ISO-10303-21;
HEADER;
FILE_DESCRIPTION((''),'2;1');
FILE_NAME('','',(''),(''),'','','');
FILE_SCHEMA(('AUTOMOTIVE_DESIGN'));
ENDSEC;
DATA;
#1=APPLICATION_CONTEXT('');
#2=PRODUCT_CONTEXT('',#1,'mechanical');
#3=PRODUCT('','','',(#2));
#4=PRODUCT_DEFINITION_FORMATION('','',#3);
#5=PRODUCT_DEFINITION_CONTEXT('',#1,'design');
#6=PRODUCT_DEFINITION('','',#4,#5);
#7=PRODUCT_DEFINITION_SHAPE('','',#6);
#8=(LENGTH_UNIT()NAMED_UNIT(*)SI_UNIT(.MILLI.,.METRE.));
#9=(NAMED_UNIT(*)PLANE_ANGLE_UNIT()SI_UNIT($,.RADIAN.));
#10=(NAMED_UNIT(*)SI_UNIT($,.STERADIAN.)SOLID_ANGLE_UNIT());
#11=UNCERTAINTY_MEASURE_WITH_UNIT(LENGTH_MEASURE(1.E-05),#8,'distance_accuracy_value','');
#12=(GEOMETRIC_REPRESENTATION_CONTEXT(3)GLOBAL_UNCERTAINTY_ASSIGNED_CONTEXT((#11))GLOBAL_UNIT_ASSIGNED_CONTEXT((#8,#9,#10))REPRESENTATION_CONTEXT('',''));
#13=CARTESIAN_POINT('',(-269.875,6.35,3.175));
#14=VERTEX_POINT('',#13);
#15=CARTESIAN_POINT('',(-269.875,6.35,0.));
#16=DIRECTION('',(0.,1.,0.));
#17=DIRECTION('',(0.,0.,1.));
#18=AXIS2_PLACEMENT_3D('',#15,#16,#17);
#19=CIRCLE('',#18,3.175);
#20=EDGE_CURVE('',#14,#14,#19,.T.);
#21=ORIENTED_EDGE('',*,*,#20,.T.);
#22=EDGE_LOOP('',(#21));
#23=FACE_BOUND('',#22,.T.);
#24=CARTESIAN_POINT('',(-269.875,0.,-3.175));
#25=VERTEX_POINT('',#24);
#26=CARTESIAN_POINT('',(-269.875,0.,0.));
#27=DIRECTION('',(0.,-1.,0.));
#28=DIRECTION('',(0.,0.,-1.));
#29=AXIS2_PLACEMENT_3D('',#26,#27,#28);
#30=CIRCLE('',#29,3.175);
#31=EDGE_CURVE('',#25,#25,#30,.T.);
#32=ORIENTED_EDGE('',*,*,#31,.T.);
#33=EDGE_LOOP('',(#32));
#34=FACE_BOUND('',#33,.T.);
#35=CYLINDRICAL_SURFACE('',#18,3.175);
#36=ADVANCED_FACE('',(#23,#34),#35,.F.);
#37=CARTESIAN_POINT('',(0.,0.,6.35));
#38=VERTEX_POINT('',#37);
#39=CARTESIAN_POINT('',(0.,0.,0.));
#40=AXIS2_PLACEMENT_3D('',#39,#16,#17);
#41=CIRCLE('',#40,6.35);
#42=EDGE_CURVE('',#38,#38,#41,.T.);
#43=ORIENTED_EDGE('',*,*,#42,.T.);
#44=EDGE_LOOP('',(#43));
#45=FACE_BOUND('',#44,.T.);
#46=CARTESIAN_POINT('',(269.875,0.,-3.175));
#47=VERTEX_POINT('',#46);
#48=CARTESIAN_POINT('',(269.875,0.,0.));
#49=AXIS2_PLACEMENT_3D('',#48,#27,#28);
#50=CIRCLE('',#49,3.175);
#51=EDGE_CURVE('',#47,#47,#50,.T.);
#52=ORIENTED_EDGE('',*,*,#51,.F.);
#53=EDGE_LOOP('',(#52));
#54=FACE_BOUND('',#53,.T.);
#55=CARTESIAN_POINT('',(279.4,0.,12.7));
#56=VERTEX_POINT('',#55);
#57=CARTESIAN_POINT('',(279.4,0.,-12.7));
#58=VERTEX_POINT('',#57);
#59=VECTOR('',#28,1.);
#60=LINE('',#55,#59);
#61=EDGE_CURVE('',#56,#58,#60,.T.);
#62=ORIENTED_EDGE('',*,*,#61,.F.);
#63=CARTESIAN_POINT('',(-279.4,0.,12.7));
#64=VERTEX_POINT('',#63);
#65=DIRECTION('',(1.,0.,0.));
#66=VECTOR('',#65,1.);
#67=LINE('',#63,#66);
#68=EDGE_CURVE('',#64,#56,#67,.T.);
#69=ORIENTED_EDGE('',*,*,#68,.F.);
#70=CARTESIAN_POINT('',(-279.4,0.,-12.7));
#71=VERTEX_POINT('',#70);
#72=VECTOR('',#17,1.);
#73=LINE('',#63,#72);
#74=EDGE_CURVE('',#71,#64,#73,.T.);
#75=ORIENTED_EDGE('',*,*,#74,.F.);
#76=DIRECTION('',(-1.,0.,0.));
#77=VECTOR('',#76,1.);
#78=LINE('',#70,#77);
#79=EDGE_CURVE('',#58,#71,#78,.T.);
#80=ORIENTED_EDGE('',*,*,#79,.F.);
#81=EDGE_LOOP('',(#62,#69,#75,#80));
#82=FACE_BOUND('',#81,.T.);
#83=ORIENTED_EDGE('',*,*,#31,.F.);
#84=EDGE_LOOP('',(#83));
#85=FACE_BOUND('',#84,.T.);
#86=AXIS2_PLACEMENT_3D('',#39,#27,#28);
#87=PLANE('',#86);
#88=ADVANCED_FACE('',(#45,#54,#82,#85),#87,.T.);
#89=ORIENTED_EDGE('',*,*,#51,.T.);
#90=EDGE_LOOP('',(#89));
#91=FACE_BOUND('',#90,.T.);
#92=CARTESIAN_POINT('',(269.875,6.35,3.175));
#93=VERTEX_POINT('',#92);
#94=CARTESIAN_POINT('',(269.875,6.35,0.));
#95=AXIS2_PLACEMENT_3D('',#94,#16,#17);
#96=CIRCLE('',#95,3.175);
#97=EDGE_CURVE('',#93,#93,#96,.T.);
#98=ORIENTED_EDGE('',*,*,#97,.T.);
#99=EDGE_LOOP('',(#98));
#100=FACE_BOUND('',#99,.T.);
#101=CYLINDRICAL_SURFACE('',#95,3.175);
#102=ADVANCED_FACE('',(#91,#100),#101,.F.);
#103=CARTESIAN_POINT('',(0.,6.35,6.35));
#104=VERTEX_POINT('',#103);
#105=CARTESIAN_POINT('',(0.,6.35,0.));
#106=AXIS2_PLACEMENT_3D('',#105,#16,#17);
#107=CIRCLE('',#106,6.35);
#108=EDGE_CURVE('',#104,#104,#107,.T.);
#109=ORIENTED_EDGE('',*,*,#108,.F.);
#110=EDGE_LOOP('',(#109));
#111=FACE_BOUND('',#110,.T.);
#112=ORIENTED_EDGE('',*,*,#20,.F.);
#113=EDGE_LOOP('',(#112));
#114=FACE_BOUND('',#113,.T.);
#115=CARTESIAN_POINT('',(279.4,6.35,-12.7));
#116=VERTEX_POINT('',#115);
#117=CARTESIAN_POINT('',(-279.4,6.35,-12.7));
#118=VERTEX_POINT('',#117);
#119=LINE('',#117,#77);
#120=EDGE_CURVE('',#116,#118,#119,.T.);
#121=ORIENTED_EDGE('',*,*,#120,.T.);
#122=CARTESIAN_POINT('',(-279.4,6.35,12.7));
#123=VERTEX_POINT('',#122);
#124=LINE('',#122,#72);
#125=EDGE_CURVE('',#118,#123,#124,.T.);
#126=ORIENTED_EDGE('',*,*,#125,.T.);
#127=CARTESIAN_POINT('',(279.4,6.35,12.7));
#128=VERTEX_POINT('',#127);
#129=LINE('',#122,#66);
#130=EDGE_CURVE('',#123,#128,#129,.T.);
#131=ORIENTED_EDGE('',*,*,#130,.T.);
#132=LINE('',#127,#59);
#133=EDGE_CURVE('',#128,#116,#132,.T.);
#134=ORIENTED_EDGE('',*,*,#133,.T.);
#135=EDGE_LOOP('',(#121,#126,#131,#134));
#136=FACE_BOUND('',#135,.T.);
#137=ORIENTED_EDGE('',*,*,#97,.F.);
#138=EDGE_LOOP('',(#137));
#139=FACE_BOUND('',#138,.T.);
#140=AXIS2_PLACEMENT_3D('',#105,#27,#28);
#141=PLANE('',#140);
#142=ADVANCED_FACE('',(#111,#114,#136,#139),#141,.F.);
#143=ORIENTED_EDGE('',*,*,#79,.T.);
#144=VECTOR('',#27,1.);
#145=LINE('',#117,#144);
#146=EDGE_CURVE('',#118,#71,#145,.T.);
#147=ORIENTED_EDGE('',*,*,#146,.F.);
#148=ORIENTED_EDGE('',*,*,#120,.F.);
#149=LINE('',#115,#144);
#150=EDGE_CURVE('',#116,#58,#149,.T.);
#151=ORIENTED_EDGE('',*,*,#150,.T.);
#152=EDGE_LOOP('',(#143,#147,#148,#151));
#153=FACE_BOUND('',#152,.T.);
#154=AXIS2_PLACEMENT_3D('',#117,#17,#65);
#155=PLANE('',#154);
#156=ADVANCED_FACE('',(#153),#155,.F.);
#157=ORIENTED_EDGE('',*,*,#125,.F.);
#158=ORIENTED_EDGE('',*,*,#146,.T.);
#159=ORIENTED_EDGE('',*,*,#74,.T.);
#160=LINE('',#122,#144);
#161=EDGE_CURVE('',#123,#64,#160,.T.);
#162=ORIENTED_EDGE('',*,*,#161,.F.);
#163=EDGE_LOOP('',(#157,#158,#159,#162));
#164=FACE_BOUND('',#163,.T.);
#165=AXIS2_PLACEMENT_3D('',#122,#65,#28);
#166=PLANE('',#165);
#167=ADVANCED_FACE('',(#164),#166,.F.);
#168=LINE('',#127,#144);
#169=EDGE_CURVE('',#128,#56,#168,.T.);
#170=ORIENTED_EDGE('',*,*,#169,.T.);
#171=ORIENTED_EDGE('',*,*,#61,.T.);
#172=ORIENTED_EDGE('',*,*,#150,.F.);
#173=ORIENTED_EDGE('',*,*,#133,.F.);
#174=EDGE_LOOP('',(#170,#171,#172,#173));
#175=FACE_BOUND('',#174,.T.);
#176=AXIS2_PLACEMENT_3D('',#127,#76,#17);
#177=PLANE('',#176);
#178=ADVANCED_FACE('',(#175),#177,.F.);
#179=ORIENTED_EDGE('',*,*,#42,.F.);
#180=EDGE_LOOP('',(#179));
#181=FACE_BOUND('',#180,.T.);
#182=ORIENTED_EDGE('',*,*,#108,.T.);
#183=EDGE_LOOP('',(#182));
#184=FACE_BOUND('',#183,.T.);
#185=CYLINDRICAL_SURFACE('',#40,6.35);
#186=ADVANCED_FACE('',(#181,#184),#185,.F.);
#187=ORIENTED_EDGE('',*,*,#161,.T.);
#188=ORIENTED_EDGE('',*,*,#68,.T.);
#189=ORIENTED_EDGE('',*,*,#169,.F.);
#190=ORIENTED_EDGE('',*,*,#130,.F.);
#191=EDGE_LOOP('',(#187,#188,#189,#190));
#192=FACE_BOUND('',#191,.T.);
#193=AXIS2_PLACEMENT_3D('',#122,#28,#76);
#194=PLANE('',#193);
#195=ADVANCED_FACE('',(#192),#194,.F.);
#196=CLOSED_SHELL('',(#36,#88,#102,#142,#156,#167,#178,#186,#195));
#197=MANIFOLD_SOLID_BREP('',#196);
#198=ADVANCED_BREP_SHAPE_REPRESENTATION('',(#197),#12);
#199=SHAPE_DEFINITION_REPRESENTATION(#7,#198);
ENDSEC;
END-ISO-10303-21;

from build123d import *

# Parameters (mm, degrees)
SKETCH1_W                       = 558.8
SKETCH1_H                       = 25.4
BOSS_EXTRUDE1_DEPTH             = 6.35
F_1_4_0_25_DIAMETER_HOLE1_D     = 6.35
F_1_4_0_25_DIAMETER_HOLE1_DEPTH = 17.019524
F_1_4_0_25_DIAMETER_HOLE1_TIP   = 1.907732465
SKETCH5_R                       = 6.35
CUT_EXTRUDE1_DEPTH              = 280.760562803


with BuildPart() as part:
    # Sketch1 → Boss-Extrude1 (new body)
    with BuildSketch(Plane(origin=(0, 0, 0), x_dir=(1, 0, 0), z_dir=(0, 1, 0))):
        Rectangle(SKETCH1_W, SKETCH1_H)
    extrude(amount=BOSS_EXTRUDE1_DEPTH)

    # 1/4 (0.25) Diameter Hole1
    with Locations(Plane(origin=(0, 6.35, 0), x_dir=(1, 0, 0), z_dir=(0, 1, 0))):
        with Locations((-269.875, 0), (269.875, 0)):
            Hole(F_1_4_0_25_DIAMETER_HOLE1_D / 2, depth=F_1_4_0_25_DIAMETER_HOLE1_DEPTH)
            with Locations((0, 0, -(F_1_4_0_25_DIAMETER_HOLE1_DEPTH + F_1_4_0_25_DIAMETER_HOLE1_TIP / 2))):  # 118° drill point
                Cone(0, F_1_4_0_25_DIAMETER_HOLE1_D / 2, F_1_4_0_25_DIAMETER_HOLE1_TIP, mode=Mode.SUBTRACT)

    # Sketch5 → Cut-Extrude1 (cut, through all)
    with BuildSketch(Plane(origin=(0, 6.35, 0), x_dir=(1, 0, 0), z_dir=(0, 1, 0))):
        with Locations(Location((0, 0, 0), (0, 0, 270))):
            Circle(SKETCH5_R)
    extrude(amount=-CUT_EXTRUDE1_DEPTH, mode=Mode.SUBTRACT)


solid = part.part
